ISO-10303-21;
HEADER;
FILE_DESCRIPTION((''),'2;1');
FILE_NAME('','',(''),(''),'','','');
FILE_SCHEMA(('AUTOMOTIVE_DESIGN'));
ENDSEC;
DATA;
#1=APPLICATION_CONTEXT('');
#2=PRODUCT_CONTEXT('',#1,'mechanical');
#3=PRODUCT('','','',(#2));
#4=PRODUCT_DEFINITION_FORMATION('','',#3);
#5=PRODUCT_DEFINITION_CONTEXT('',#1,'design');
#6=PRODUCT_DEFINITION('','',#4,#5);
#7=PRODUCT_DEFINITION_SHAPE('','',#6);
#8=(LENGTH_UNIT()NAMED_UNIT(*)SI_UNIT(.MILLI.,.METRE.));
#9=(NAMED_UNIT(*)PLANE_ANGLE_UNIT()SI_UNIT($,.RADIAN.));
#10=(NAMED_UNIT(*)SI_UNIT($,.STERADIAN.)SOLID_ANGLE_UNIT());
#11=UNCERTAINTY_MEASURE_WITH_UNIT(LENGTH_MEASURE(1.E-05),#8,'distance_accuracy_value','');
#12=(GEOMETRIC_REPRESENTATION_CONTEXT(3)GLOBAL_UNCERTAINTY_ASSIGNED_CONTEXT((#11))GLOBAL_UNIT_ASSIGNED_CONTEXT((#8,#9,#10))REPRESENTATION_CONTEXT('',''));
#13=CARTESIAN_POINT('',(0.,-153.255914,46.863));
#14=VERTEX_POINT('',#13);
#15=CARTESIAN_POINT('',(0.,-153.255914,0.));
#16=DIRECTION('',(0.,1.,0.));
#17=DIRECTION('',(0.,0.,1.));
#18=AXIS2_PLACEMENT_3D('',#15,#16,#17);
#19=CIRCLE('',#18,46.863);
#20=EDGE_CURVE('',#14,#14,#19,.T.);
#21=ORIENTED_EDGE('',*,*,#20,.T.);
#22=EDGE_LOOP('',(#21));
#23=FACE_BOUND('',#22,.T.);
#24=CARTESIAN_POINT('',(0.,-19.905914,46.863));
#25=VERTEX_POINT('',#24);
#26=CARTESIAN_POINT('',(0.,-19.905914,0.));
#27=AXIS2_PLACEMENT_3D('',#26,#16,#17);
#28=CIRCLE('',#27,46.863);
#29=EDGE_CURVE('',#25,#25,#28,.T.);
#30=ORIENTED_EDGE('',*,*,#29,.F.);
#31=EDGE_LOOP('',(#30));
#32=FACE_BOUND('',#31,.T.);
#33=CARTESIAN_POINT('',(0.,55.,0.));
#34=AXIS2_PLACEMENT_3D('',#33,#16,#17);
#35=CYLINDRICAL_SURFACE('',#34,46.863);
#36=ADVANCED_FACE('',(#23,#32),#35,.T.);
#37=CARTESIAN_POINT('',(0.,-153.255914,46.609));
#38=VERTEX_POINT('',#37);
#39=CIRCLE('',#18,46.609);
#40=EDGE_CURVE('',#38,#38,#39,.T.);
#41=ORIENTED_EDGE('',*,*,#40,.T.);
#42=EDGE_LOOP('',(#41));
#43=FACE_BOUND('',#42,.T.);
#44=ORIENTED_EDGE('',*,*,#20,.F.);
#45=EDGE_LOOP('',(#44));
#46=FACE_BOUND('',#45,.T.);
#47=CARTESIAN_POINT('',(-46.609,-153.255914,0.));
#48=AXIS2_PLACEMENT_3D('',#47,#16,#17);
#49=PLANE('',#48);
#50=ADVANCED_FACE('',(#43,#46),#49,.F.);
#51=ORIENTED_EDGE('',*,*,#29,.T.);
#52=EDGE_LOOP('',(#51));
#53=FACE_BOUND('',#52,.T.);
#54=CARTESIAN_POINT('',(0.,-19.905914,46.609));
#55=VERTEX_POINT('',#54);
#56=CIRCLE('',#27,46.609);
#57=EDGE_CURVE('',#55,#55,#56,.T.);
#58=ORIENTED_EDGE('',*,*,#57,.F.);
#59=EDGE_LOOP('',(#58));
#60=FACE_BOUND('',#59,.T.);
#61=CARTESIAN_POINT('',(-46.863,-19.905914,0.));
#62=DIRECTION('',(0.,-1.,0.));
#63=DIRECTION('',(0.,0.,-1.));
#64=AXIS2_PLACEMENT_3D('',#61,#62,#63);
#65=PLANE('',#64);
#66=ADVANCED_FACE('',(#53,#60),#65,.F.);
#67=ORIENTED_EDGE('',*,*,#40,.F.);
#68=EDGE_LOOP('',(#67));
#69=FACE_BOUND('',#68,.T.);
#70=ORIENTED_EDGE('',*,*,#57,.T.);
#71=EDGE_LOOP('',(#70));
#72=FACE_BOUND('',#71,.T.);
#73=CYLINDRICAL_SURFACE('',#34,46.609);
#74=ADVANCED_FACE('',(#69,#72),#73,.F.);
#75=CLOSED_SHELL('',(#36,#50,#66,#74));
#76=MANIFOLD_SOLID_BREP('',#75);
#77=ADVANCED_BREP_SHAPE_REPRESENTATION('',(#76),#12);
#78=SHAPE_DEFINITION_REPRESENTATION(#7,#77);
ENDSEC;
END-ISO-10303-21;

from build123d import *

# Parameters (mm, degrees)
SKETCH1_W = 0.254
SKETCH1_H = 133.35


with BuildPart() as part:
    # Sketch1 → Revolve-Thin1 (revolve)
    with BuildSketch(Plane.XY):
        with Locations((-46.736, -86.580914232)):
            Rectangle(SKETCH1_W, SKETCH1_H)
    revolve(axis=Axis((0, 55, 0), (0, -1, 0)))


solid = part.part
